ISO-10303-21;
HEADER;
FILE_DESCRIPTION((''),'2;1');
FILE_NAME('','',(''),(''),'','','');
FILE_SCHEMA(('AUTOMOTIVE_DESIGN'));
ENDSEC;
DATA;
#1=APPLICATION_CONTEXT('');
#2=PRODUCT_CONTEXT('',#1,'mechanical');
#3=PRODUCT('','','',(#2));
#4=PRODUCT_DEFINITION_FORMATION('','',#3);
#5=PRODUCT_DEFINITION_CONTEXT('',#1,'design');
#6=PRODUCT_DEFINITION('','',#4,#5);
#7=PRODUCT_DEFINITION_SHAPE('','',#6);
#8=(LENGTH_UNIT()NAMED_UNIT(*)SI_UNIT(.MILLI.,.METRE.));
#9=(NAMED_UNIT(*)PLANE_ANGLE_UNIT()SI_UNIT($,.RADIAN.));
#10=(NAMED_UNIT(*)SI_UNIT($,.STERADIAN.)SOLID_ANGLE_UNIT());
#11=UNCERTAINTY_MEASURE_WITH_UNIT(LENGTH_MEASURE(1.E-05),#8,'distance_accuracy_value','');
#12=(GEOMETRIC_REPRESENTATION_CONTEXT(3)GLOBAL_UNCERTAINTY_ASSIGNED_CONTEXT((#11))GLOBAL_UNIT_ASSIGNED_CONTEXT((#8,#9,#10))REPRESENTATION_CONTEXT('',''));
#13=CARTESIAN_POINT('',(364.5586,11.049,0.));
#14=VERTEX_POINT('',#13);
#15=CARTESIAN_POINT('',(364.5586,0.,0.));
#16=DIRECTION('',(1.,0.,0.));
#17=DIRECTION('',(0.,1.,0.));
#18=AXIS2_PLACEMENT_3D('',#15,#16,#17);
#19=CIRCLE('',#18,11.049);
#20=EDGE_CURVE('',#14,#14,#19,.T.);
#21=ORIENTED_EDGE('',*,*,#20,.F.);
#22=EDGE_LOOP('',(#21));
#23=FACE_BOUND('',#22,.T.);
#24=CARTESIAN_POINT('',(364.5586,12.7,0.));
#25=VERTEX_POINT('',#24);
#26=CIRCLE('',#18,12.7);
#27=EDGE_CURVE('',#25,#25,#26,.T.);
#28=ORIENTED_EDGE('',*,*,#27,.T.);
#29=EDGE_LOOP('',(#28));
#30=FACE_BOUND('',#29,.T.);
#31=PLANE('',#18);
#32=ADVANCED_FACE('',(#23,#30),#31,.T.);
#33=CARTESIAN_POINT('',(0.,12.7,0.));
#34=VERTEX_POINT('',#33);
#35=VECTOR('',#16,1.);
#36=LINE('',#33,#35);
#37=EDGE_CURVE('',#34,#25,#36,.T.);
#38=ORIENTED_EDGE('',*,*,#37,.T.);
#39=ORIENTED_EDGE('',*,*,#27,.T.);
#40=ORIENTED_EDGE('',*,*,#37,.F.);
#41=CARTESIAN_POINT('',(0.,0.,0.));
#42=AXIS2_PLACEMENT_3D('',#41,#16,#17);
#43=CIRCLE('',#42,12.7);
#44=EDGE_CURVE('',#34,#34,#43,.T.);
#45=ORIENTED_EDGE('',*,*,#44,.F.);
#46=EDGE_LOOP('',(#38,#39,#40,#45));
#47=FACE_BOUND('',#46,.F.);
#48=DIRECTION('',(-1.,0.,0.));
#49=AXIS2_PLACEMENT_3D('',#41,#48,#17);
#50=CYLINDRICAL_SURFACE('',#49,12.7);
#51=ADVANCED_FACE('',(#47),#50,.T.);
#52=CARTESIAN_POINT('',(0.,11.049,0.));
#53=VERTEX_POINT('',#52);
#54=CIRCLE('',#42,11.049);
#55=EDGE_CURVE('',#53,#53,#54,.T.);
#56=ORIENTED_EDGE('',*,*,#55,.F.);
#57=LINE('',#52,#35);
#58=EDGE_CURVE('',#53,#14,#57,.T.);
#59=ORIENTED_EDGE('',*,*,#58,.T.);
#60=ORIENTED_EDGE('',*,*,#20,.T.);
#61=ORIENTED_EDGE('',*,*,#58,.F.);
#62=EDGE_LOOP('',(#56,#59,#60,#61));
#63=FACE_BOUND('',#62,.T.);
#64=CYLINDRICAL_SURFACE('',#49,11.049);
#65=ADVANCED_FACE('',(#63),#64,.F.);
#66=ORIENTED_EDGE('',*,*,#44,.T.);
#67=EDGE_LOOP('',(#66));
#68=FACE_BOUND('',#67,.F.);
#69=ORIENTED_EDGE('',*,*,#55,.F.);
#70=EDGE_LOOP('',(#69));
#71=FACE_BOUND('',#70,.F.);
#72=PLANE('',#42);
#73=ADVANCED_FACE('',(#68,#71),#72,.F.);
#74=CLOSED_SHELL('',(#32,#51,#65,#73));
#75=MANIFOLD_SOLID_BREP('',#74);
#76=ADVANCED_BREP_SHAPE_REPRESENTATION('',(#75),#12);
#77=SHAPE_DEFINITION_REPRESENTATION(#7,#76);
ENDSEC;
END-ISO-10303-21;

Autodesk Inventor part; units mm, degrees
ref_plane "XZ Plane" through (0, 0, 0) normal (0, 1, 0) x (-1, 0, 0)
ref_plane "Start Plane" through (0, 0, 0) normal (1, 0, 0) x (0, 1, 0)
ref_plane "End Plane" through (364.5586, 0, 0) normal (1, 0, 0) x (0, 1, 0)
sketch "Sketch" plane through (0, 0, 0) normal (1, 0, 0) x (0, 1, 0)
  circle A0 centre (0, 0) radius 12.7
  circle A1 centre (0, 0) radius 11.049
  dimension "d0" = 25.4
  dimension "d1" = 1.651
extrude "Body" add sketch "Sketch" along normal up to surface (364.5586 mm away) from surface at 0
sketch "Sketch2" plane through (0, 0, 0) normal (1, 0, 0) x (0, 1, 0)
  line L0 (0, 0) -> (10, 0)
ref_plane "Work Plane3" through (0, 0, 0) normal (0, 0, -1) x (0, 1, 0)
sketch "Sketch3" plane through (0, 0, 0) normal (0, 0, -1) x (0, 1, 0)
  line L0 (-2, 0) -> (12, 0)
  line L1 (-2, 364.5586) -> (12, 364.5586)
  dimension "d9" = 364.5586
equation "\"G_OFFSET_START\" = 0"
equation "\"G_OFFSET_END\" = 0"
equation "\"d5\" = d2 + G_OFFSET_END"
equation "\"G_L\" = d9"
equation "\"d2\" = 364.558582"
properties part number "4130_1x0.065" material "Steel, Alloy"
